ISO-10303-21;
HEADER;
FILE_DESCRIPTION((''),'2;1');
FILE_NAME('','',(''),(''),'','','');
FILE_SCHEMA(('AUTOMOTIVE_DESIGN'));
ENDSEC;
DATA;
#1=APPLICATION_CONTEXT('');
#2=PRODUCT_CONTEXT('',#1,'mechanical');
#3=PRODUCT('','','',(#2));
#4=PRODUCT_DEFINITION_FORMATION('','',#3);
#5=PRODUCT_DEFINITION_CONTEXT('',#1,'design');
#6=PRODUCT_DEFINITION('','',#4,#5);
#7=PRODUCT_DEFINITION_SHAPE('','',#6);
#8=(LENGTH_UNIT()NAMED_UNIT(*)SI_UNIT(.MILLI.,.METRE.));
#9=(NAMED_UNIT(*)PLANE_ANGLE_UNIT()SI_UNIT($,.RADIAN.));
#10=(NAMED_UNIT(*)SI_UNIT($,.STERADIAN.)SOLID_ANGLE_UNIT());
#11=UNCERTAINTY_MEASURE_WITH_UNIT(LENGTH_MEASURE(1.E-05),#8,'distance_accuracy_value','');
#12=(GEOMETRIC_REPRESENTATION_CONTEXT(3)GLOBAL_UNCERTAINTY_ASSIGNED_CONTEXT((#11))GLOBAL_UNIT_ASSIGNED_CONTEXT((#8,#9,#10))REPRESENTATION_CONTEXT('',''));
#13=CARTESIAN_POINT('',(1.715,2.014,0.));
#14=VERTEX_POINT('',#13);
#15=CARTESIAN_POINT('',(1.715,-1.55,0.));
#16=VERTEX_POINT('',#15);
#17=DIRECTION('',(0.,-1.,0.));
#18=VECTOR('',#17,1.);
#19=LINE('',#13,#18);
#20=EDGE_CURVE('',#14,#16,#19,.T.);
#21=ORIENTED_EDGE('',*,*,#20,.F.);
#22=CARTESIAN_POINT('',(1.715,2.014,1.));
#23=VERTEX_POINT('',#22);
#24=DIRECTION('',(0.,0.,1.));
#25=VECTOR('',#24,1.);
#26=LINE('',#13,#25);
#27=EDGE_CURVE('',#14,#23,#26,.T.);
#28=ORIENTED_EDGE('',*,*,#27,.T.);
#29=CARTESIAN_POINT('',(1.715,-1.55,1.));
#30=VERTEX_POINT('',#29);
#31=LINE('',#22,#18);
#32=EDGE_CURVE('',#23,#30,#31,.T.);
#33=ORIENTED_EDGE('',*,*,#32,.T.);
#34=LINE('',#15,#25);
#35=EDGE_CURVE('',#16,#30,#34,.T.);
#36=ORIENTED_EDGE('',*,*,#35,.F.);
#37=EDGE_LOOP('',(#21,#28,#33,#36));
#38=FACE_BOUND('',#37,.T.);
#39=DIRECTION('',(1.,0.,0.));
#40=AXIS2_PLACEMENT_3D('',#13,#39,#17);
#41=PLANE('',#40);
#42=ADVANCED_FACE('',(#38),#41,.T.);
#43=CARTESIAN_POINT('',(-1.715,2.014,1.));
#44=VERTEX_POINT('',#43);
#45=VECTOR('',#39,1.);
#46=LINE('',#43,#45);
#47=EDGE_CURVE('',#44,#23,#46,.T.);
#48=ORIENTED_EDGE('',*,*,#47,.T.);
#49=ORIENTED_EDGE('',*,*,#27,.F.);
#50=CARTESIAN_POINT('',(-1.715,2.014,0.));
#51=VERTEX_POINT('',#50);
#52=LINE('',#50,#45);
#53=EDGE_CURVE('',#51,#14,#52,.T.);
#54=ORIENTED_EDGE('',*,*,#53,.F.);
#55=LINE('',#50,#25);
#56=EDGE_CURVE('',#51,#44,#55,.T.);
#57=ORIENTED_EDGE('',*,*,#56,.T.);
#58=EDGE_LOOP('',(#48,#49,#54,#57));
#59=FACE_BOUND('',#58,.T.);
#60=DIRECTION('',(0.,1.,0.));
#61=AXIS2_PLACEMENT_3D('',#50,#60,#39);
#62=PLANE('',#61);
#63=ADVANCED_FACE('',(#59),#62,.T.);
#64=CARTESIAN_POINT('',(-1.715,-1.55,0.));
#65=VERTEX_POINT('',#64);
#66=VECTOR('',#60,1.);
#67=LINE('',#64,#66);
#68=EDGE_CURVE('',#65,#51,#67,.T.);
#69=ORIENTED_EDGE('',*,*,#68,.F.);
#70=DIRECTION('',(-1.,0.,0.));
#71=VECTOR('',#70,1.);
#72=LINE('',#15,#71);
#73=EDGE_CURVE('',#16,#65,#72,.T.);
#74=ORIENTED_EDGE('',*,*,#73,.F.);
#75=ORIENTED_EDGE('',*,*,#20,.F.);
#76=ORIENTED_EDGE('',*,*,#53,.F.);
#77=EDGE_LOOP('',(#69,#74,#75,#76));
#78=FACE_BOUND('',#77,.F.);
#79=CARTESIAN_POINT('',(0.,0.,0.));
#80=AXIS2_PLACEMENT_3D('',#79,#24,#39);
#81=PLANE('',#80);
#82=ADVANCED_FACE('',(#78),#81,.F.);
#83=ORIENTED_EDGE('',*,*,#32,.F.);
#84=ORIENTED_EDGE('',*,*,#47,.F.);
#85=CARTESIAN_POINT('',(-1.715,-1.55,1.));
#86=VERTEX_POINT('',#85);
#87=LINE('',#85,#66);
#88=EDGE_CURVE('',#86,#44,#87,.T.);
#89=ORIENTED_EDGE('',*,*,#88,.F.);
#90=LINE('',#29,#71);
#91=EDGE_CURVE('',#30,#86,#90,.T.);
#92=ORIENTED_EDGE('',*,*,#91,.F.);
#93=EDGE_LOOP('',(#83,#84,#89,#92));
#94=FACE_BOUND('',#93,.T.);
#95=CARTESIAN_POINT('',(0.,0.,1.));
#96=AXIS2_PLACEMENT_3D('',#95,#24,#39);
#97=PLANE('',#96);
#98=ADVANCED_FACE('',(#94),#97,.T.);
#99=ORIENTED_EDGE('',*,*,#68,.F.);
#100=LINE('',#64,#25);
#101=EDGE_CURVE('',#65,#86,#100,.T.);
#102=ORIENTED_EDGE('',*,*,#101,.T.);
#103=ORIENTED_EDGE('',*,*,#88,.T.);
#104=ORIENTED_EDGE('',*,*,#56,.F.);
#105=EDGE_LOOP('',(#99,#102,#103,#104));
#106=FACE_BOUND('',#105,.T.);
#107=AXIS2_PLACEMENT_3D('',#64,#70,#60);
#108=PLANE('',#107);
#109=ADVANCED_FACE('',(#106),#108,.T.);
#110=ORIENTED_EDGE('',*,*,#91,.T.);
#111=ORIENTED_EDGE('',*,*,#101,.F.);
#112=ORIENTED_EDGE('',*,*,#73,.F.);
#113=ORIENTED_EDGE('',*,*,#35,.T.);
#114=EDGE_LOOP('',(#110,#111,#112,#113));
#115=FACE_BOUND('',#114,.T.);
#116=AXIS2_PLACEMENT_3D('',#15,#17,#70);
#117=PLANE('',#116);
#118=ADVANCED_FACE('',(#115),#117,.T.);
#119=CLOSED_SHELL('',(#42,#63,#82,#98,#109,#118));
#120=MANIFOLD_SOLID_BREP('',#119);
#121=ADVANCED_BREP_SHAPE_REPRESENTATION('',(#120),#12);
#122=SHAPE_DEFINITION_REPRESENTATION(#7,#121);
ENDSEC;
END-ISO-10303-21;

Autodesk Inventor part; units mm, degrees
ref_plane "YZ Plane" through (0, 0, 0) normal (1, 0, 0) x (0, 1, 0)
ref_plane "XZ Plane" through (0, 0, 0) normal (0, 1, 0) x (-1, 0, 0)
ref_plane "XY Plane" through (0, 0, 0) normal (0, 0, 1) x (1, 0, 0)
sketch "SOT23, NPN_SM_154" plane through (0, 0, 0) normal (0, 0, 1) x (1, 0, 0)
  line L0 (-1.715, -1.55) -> (-1.715, 2.014)
  line L1 (-1.715, 2.014) -> (1.715, 2.014)
  line L2 (1.715, 2.014) -> (1.715, -1.55)
  line L3 (1.715, -1.55) -> (-1.715, -1.55)
extrude "Extrusion1" add sketch "SOT23, NPN_SM_154" along normal blind 1
properties part number "NPN_SM"
